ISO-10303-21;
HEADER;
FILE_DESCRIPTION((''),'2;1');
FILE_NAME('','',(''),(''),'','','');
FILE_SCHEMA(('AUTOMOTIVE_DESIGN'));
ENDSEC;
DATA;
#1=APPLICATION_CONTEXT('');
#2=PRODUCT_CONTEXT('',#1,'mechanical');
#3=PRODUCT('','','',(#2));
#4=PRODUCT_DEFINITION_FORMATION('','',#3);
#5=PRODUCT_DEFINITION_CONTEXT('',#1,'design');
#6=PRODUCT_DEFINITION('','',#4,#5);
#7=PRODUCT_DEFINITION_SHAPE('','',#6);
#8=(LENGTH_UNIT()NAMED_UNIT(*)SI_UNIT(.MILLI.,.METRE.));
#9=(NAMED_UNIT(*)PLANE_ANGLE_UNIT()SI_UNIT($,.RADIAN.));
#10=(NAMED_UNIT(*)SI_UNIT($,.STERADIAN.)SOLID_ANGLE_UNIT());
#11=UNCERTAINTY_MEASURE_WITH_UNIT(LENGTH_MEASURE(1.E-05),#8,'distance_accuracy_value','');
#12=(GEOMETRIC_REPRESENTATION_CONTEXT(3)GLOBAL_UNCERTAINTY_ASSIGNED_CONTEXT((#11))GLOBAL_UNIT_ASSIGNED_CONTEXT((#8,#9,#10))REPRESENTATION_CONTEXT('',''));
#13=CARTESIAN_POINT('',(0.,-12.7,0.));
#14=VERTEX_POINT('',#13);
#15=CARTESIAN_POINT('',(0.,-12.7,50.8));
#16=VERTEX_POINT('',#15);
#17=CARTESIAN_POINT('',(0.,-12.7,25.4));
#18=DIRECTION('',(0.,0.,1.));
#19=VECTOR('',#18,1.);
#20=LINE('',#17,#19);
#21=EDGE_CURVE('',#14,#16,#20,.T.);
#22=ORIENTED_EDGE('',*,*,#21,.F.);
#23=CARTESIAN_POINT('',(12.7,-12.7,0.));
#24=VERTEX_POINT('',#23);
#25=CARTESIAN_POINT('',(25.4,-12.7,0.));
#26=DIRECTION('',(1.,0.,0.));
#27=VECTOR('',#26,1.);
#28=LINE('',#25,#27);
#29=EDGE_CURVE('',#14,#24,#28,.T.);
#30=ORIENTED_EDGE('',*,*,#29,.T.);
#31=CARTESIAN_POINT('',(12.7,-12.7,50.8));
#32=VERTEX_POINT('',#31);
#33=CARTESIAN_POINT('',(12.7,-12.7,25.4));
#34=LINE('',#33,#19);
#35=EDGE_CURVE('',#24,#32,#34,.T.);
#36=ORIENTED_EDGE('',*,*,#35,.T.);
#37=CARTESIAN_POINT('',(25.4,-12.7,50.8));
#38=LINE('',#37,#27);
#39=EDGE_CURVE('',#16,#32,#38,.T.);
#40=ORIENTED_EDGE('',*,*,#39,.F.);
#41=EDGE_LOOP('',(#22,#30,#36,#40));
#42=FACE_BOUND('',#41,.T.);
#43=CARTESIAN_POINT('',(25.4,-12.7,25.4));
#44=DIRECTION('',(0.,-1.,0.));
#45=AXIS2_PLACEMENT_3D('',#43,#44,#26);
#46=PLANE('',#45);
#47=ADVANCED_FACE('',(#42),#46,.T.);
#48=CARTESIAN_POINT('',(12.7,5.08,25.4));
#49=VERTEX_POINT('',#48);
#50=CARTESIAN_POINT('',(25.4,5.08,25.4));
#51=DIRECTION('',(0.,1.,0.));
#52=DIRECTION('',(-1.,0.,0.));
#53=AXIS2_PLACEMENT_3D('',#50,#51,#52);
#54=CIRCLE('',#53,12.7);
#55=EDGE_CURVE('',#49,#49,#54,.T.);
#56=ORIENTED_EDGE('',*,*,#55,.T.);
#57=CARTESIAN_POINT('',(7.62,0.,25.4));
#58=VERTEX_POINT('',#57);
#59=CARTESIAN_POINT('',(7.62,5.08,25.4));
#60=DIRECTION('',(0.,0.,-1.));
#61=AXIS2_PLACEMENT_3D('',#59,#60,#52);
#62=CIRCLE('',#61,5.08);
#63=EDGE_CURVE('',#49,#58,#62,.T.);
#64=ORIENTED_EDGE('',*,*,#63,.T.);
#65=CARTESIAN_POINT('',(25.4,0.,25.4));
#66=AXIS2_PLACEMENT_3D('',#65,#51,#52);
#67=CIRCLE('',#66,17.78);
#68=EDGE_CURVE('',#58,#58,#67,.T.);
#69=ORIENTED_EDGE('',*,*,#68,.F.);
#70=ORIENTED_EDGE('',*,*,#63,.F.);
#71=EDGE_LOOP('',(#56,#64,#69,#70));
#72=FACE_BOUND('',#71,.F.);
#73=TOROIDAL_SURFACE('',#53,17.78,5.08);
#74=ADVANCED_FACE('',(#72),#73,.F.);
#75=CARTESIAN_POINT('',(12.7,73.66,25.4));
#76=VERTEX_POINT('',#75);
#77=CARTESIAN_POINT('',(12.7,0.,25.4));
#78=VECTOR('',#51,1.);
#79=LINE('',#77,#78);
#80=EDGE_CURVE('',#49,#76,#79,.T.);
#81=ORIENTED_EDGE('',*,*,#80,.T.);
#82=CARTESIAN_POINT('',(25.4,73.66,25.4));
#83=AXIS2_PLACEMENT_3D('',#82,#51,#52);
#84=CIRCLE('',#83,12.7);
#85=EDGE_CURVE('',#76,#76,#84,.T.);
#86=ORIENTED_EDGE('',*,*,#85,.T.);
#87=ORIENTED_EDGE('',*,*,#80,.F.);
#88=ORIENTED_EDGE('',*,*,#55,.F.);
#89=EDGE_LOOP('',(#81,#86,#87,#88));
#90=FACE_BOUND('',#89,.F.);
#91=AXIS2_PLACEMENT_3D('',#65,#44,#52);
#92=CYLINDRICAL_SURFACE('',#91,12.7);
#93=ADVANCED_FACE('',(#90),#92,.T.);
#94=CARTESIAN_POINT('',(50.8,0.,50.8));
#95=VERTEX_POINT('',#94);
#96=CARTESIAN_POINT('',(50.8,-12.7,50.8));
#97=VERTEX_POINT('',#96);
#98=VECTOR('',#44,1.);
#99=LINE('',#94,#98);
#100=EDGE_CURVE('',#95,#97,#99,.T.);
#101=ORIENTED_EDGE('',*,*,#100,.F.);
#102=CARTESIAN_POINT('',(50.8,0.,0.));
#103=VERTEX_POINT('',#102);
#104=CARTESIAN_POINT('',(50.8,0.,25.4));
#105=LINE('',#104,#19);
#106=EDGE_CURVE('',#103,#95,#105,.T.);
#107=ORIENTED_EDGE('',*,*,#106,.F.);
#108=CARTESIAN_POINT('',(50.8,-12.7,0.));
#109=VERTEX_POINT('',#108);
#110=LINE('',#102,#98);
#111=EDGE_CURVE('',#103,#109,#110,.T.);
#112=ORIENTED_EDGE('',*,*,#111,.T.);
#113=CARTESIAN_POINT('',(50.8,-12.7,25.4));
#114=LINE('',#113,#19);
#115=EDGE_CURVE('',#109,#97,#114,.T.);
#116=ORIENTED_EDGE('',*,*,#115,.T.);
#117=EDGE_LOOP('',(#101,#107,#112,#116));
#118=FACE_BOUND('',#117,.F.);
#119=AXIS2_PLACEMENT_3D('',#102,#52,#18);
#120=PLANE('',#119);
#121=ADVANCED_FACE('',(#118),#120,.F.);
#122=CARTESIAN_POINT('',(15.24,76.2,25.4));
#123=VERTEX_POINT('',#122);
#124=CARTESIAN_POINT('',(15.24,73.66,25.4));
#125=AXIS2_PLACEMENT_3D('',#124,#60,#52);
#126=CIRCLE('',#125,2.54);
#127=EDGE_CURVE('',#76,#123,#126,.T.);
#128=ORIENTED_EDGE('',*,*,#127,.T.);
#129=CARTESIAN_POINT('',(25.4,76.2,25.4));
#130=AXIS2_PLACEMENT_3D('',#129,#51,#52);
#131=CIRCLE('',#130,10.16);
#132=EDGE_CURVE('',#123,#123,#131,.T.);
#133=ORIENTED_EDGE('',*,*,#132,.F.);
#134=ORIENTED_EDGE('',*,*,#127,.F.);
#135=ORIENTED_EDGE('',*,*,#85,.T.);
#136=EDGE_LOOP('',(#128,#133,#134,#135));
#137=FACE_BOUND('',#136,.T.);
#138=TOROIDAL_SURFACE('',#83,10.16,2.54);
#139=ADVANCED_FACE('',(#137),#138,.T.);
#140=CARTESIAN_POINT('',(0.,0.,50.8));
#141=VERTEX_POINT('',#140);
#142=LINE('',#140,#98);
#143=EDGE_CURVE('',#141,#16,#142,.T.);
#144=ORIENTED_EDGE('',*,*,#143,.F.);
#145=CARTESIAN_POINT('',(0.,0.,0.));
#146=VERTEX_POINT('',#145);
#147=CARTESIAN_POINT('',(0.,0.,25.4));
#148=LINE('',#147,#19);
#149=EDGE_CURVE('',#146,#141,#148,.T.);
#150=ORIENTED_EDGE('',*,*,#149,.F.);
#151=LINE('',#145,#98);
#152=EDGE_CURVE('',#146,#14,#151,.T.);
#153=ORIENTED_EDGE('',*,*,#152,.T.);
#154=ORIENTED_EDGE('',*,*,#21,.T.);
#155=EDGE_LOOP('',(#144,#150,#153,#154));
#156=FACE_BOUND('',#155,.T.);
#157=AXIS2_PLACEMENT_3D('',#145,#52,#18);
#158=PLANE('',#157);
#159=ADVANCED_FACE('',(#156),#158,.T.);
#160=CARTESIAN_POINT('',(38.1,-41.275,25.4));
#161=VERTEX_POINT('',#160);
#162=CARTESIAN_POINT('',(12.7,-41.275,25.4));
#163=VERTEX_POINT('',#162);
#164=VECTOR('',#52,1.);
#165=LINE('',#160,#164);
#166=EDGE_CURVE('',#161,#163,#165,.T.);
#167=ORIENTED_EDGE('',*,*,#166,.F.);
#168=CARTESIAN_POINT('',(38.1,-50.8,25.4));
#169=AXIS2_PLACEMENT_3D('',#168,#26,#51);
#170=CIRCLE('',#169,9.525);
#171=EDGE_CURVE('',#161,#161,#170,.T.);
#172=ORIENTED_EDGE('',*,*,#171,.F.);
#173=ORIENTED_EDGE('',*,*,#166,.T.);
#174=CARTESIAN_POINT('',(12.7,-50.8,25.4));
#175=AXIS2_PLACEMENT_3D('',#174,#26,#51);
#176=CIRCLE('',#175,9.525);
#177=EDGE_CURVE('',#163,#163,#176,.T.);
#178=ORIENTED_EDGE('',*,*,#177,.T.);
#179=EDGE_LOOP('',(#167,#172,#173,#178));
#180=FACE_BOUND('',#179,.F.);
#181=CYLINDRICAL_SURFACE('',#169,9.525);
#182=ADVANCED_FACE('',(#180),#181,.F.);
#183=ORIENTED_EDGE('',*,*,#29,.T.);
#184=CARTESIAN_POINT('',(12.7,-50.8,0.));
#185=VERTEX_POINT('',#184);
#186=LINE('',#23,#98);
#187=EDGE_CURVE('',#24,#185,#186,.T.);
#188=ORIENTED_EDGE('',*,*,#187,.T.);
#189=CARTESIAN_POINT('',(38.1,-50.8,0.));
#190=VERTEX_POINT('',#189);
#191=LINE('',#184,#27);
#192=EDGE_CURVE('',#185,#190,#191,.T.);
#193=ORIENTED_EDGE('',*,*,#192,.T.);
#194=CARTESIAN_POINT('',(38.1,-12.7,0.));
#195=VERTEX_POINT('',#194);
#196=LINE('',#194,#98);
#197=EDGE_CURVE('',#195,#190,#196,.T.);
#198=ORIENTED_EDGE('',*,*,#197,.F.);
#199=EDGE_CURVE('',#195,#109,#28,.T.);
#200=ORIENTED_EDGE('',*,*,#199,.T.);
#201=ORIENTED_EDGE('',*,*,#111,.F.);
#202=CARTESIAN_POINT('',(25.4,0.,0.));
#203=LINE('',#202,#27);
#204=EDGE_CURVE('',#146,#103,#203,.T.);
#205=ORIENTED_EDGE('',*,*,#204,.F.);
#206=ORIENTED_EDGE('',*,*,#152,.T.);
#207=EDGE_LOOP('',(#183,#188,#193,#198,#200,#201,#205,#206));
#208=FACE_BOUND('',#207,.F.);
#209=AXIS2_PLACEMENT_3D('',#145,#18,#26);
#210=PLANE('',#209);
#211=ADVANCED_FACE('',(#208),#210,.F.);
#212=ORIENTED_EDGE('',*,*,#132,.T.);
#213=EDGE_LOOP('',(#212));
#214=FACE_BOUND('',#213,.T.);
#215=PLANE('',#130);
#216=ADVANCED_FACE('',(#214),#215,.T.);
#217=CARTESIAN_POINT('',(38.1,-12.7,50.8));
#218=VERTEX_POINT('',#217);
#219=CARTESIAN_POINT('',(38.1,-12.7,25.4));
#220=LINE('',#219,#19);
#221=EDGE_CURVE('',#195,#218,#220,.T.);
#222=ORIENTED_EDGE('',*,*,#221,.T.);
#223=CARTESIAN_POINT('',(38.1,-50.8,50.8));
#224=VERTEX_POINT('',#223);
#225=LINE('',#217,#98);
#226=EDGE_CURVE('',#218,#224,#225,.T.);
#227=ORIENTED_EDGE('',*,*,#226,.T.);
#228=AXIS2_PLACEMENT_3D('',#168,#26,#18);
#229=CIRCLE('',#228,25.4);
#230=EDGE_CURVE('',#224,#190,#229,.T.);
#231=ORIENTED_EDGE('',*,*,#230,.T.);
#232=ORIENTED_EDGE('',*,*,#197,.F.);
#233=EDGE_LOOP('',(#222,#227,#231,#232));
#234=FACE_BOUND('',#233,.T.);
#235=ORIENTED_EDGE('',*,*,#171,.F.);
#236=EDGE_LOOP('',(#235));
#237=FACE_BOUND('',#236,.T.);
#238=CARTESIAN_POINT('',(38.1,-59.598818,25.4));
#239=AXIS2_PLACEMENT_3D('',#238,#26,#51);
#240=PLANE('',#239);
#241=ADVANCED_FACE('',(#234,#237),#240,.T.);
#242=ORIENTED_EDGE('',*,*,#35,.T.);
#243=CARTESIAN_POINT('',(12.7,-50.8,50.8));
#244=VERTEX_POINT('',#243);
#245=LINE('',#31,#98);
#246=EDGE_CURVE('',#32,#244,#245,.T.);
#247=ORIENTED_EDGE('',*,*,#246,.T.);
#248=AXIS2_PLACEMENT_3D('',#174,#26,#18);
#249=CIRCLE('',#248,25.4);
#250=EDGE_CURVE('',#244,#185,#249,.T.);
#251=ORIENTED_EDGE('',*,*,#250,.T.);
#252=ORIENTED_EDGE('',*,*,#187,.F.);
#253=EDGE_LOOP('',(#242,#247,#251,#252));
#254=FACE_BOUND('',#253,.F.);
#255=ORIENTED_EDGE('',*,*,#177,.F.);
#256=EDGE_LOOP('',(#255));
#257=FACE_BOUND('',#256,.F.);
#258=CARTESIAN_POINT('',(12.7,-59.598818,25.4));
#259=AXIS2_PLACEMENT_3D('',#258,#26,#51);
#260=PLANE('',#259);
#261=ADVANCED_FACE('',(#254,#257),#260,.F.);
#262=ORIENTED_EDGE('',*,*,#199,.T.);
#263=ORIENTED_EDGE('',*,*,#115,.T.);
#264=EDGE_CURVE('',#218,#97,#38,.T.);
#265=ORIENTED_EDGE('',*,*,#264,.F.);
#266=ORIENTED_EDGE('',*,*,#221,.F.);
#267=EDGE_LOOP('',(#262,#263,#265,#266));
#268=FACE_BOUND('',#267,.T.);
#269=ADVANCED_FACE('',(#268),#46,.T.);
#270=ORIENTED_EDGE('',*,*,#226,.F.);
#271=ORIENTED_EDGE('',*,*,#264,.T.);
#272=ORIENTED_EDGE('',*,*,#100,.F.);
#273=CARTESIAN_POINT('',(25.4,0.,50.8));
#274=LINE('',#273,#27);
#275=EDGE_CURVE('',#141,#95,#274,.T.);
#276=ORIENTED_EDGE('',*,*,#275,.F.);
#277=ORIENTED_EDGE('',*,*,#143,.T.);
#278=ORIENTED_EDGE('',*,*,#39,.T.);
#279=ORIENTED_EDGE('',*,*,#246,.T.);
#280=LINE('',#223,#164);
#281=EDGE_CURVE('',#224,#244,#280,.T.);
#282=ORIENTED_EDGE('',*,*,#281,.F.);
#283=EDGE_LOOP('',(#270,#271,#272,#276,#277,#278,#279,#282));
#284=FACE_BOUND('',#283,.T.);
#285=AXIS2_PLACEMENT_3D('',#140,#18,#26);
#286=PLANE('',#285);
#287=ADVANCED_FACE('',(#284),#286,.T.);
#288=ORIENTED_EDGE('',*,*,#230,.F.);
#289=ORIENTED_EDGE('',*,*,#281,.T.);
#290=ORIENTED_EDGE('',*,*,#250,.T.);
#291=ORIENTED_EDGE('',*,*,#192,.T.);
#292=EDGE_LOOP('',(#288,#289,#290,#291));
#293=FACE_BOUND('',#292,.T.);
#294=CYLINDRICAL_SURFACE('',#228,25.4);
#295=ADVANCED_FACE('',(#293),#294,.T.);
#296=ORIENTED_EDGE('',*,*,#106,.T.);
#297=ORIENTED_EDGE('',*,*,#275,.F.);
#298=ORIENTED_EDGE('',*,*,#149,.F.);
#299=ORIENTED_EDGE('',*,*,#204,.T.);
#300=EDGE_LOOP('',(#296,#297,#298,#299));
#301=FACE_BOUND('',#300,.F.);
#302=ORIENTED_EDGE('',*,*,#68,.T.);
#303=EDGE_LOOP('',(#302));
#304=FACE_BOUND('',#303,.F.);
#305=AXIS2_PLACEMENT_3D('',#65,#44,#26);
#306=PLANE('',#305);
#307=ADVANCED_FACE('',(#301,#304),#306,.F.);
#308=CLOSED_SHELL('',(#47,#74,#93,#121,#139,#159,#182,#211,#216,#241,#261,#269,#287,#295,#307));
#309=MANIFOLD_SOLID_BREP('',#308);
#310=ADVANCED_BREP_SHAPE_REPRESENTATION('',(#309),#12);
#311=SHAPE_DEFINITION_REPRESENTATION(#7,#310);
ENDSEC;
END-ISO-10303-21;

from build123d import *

# Parameters (mm, degrees)
F0_W     = 50.8
F0_H     = 50.8
F1_DEPTH = 12.7
F2_W     = 12.7
F2_H     = 50.8
F3_DEPTH = 38.1
F5_DEPTH = 25.4
F6_R     = 9.525
F7_DEPTH = 25.4
F8_R     = 12.7
F9_DEPTH = 76.2
F10_R    = 2.54
F11_R    = 5.08


with BuildPart() as f1:
    # F0 (on Front) → F1 (new body)
    with BuildSketch(Plane.XZ):
        with Locations((25.4, 25.4)):
            Rectangle(F0_W, F0_H)
    extrude(amount=F1_DEPTH)

    # F2 (on face) → F3 (join)
    with BuildSketch(Plane.XZ.offset(12.7)):
        with Locations((19.05, 25.4)):
            Rectangle(F2_W, F2_H)
        with Locations((31.75, 25.4)):
            Rectangle(F2_W, F2_H)
    extrude(amount=F3_DEPTH)

    # F4 (on face) → F5 (join)
    with BuildSketch(Plane.YZ.offset(38.1)):
        with BuildLine():
            Line((-50.8, 0), (-50.8, 50.8))
            ThreePointArc((-50.8, 50.8), (-76.2, 25.4), (-50.8, 0))
        make_face()
    extrude(amount=-F5_DEPTH)

    # F6 (on face) → F7 (cut)
    with BuildSketch(Plane.YZ.offset(38.1)):
        with Locations((-50.8, 25.4)):
            Circle(F6_R)
    extrude(amount=-F7_DEPTH, mode=Mode.SUBTRACT)

    # F8 (on face) → F9 (join)
    with BuildSketch(Plane(origin=(0, 0, 0), x_dir=(-1, 0, 0), z_dir=(0, 1, 0))):
        with Locations((-25.4, 25.4)):
            Circle(F8_R)
    extrude(amount=F9_DEPTH)

    # F10
    f10_edges = [f1.edges().sort_by_distance(p)[0] for p in [
        (38.1, 76.2, 25.4),
    ]]
    fillet(f10_edges, radius=F10_R)

    # F11
    f11_edges = [f1.edges().sort_by_distance(p)[0] for p in [
        (12.7, 36.83, 25.4),
        (38.1, 73.66, 25.4),
        (38.1, 0, 25.4),
    ]]
    fillet(f11_edges, radius=F11_R)


solid = f1.part
